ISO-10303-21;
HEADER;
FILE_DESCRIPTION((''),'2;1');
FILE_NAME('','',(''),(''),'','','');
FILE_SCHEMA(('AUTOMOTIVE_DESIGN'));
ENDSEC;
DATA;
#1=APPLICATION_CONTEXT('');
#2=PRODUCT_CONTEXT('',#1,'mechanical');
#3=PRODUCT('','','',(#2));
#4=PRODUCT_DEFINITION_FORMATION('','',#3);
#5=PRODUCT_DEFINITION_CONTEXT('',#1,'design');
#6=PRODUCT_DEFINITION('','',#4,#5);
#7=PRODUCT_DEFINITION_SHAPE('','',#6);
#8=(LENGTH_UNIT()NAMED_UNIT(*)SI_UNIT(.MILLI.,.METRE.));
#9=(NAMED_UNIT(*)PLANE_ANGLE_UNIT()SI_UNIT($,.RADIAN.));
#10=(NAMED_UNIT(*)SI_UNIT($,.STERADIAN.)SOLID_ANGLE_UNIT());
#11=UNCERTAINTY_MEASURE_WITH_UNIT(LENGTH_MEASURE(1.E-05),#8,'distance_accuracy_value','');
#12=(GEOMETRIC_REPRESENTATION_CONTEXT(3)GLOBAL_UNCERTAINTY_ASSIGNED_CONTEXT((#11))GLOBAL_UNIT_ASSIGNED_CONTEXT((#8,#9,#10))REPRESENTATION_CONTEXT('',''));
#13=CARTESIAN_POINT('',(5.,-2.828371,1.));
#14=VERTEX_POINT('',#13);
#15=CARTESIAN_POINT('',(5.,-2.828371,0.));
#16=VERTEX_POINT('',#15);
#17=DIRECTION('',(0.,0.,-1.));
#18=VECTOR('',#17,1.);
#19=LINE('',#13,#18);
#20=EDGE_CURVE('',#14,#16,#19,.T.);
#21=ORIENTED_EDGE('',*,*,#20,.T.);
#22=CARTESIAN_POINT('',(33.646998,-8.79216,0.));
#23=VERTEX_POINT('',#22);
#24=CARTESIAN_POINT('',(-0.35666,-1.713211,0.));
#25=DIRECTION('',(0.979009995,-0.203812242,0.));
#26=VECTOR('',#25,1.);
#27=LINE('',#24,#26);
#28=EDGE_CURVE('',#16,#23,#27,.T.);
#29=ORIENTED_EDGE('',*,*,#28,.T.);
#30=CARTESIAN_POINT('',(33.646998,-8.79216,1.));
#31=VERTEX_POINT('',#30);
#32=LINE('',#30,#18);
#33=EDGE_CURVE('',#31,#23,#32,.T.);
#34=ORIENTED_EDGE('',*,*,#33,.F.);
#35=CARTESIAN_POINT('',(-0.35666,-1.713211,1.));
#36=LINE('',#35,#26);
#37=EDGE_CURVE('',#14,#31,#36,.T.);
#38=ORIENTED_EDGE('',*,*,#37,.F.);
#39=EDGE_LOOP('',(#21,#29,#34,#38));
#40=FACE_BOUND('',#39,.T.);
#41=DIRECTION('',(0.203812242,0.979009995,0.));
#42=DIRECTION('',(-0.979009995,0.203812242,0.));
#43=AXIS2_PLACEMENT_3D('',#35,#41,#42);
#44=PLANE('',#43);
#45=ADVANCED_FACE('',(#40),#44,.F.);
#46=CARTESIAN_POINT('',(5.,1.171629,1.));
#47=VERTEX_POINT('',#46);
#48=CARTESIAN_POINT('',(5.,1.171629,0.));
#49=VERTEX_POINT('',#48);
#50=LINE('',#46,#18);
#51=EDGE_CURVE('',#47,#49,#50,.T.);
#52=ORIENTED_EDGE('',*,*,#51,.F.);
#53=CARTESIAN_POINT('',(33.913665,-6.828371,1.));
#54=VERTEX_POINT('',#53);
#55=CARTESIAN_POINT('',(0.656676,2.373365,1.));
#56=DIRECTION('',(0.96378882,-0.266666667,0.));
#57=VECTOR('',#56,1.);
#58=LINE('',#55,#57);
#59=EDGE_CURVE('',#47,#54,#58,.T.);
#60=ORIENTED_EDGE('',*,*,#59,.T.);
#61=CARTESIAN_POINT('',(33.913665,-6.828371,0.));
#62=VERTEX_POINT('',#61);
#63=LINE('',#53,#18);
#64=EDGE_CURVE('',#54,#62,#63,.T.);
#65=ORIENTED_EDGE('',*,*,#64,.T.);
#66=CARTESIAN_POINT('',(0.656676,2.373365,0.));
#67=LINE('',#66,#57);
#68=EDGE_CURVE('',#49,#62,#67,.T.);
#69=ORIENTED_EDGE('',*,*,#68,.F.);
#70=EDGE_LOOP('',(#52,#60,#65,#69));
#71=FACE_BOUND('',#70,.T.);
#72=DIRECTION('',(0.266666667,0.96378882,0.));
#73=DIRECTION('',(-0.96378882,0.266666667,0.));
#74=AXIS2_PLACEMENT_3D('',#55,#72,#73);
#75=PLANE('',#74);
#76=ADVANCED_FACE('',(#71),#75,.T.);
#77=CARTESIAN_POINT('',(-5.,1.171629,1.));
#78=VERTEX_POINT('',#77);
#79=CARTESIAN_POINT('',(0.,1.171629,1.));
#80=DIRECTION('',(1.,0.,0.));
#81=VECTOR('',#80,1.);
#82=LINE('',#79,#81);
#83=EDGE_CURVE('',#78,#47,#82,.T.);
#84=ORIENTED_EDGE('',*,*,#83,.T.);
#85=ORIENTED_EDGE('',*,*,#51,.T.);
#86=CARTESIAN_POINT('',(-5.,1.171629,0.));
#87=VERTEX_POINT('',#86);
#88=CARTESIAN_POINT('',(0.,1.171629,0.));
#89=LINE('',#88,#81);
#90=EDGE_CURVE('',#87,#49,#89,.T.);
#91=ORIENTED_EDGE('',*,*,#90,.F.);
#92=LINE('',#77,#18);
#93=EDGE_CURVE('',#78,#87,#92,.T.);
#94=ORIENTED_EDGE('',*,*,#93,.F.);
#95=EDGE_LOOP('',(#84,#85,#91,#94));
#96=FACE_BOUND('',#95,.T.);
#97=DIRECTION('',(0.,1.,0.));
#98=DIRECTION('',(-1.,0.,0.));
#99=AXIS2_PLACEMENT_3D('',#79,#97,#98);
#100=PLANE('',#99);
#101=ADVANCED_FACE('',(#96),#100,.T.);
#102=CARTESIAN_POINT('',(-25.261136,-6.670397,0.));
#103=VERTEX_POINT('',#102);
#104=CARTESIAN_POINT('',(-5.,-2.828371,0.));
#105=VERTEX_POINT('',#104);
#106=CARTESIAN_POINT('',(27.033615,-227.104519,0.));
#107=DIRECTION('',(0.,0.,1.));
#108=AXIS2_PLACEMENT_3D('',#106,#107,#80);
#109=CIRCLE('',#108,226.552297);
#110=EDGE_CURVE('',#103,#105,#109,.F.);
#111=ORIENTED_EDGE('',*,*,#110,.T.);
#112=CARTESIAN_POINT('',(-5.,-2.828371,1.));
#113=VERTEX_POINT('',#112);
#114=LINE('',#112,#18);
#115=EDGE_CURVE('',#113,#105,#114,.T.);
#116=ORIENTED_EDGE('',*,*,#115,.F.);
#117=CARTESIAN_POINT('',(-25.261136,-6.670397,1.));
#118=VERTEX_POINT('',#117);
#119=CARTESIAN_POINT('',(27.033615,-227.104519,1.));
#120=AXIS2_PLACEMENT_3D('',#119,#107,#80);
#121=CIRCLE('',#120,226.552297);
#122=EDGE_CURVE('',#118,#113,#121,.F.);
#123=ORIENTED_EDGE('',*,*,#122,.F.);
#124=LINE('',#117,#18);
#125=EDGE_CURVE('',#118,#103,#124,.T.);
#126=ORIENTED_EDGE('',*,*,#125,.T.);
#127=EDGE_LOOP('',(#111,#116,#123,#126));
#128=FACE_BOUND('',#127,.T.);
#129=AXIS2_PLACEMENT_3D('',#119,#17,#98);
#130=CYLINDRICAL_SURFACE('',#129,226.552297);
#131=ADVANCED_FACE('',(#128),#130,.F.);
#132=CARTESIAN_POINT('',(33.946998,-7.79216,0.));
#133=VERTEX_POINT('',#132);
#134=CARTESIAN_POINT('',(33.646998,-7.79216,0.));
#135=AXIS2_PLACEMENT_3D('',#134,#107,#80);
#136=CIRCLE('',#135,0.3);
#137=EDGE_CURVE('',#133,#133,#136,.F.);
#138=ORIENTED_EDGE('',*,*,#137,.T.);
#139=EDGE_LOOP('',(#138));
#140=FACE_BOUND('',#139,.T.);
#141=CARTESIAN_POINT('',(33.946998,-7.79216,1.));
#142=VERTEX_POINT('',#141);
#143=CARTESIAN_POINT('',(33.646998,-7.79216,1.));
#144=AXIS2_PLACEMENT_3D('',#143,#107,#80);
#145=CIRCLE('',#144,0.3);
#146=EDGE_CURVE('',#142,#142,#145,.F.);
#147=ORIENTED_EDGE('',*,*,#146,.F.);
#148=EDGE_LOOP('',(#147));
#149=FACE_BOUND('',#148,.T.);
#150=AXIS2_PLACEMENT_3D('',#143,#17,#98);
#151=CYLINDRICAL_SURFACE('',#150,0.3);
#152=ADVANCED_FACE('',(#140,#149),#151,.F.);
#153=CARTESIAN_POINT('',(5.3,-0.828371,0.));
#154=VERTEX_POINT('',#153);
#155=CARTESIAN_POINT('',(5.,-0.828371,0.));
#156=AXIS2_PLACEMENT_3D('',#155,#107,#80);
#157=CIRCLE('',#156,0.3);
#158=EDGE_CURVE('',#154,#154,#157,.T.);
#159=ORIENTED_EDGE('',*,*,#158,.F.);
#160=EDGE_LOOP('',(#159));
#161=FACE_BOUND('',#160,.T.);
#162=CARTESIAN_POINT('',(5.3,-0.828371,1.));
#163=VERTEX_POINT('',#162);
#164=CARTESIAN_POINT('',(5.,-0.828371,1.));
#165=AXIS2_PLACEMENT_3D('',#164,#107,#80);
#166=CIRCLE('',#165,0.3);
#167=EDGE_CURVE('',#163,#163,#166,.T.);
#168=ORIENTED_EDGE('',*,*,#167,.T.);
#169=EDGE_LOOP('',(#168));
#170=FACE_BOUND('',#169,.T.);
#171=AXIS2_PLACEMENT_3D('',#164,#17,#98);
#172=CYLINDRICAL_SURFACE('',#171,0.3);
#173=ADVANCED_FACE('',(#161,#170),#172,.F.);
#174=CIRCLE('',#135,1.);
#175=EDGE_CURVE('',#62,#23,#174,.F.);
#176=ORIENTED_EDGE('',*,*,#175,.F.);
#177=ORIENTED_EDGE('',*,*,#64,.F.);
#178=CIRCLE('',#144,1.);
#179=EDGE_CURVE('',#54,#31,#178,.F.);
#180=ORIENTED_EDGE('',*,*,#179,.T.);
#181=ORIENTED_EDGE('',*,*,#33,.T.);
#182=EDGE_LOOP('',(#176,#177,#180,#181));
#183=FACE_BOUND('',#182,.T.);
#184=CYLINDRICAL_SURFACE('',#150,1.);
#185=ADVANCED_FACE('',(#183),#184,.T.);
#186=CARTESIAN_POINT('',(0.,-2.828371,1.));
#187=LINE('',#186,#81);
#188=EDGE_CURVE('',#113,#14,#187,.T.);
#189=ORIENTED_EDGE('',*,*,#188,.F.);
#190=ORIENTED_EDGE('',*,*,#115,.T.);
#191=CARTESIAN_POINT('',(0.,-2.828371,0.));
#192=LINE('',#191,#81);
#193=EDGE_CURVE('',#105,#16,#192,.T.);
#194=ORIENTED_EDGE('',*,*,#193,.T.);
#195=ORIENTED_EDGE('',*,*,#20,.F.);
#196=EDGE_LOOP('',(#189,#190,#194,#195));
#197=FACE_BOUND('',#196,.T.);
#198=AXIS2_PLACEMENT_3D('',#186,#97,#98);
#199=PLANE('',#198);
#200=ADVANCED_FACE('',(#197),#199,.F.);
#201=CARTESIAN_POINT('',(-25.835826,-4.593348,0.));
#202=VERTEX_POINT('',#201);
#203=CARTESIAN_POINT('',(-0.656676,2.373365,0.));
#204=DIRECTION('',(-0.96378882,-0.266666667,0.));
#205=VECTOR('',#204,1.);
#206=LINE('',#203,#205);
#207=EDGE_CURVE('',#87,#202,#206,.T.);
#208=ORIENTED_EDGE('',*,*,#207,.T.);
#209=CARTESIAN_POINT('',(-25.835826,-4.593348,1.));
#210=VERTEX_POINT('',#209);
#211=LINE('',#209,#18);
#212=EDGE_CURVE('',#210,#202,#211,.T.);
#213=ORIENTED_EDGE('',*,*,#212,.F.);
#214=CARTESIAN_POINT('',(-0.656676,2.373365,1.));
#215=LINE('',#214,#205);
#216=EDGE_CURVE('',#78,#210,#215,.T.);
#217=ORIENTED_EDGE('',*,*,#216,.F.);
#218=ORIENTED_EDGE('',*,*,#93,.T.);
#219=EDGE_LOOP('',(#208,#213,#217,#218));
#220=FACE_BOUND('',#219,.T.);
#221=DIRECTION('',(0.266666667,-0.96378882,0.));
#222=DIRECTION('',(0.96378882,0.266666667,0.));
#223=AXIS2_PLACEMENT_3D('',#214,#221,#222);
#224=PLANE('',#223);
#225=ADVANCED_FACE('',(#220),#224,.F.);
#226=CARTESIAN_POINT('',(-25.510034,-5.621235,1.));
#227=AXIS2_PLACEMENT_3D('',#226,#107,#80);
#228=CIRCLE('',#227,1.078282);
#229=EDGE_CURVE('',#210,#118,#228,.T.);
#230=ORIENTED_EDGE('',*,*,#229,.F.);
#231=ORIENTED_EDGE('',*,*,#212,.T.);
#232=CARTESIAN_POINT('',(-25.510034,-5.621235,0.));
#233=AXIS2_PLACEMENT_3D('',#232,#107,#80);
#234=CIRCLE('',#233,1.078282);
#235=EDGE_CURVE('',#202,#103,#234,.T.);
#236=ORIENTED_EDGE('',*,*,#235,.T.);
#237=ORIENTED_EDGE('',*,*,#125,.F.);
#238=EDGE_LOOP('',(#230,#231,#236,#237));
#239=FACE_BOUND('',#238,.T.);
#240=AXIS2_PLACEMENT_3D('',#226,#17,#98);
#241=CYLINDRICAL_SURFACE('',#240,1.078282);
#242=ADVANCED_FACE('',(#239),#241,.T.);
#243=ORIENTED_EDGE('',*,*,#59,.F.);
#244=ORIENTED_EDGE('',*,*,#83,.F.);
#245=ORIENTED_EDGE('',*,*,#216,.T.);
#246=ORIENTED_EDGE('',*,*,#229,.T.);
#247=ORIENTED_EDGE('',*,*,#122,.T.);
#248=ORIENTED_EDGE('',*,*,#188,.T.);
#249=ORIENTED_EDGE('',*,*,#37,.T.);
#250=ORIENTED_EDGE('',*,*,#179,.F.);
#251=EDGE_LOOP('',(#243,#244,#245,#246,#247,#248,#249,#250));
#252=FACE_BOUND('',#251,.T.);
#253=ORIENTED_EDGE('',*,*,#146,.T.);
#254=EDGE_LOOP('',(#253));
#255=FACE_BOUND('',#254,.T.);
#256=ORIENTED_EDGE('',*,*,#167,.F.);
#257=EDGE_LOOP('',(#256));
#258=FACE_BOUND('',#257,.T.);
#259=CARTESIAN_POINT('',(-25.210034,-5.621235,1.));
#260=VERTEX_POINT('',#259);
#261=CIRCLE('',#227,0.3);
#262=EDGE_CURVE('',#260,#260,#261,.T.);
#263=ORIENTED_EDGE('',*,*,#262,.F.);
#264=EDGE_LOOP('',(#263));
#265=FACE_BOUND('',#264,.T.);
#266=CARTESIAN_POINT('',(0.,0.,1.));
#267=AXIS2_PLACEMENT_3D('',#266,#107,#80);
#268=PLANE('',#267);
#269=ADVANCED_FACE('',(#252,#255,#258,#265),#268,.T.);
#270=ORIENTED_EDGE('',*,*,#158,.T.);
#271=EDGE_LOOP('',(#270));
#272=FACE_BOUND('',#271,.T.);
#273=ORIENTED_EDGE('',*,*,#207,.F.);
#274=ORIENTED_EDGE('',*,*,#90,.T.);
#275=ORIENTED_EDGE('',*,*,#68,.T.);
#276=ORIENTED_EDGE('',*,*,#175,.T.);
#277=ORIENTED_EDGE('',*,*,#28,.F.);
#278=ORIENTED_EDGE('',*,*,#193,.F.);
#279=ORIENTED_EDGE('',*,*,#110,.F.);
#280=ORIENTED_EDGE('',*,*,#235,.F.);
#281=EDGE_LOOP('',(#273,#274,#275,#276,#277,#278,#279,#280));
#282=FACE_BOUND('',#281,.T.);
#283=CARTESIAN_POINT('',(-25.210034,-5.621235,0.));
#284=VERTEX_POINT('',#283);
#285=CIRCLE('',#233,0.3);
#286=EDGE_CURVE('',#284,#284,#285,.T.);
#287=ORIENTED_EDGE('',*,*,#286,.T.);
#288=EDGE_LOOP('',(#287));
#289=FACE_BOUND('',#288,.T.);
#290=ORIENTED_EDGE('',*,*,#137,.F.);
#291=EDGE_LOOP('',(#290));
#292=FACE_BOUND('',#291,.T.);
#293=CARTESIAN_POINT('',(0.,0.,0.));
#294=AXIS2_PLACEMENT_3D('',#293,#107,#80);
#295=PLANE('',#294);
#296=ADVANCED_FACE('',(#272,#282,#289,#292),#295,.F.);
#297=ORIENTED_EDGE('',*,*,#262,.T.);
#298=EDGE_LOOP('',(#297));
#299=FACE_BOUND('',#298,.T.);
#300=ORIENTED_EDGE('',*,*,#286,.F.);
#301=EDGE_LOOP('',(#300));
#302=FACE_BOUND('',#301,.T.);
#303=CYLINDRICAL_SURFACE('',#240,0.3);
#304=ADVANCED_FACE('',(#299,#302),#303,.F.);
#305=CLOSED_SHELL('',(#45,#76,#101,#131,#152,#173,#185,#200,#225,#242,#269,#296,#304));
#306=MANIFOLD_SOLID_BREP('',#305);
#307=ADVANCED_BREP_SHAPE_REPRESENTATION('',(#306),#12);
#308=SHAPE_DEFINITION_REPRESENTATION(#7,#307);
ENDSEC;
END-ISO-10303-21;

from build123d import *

# Parameters (mm, degrees)
SKETCH_1_R      = 0.3
EXTRUDE_1_DEPTH = 1


with BuildPart() as part:
    # 草图1 → 凸台-拉伸1 (new body)
    with BuildSketch(Plane.XY):
        with BuildLine():
            ThreePointArc((-24.431752563, -5.621234593), (-24.841338221, -4.775340284), (-25.758932756, -4.572072325))
            Line((-25.758932756, -4.572072325), (-25.579283033, -5.329336265))
            ThreePointArc((-25.579283033, -5.329336265), (-25.32398953, -5.385889555), (-25.210034452, -5.621234593))
            ThreePointArc((-25.210034452, -5.621234593), (-25.274689413, -5.807279515), (-25.44078587, -5.913132921))
            Line((-25.44078587, -5.913132921), (-25.261136147, -6.670396861))
            ThreePointArc((-25.261136147, -6.670396861), (-24.664140143, -6.289930824), (-24.431752563, -5.621234593))
        make_face()
        with BuildLine():
            Line((-25.579283033, -5.329336265), (-25.758932756, -4.572072325))
            Line((-25.758932756, -4.572072325), (-25.835826145, -4.593347633))
            ThreePointArc((-25.835826145, -4.593347633), (-26.54927048, -5.90877643), (-25.261136147, -6.670396861))
            Line((-25.261136147, -6.670396861), (-25.44078587, -5.913132921))
            ThreePointArc((-25.44078587, -5.913132921), (-25.80193278, -5.690483175), (-25.579283033, -5.329336265))
        make_face()
        with BuildLine():
            Line((0, 1.171629291), (-5, 1.171629291))
            Line((-5, 1.171629291), (-25.758932756, -4.572072325))
            ThreePointArc((-25.758932756, -4.572072325), (-24.841338221, -4.775340284), (-24.431752563, -5.621234593))
            ThreePointArc((-24.431752563, -5.621234593), (-24.664140143, -6.289930824), (-25.261136147, -6.670396861))
            ThreePointArc((-25.261136147, -6.670396861), (-15.17430636, -4.518727526), (-5, -2.828370709))
            Line((-5, -2.828370709), (0, -2.828370709))
            Line((0, -2.828370709), (0, 1.171629291))
        make_face()
        with BuildLine():
            Line((5, 1.171629291), (0, 1.171629291))
            Line((0, 1.171629291), (0, -2.828370709))
            Line((0, -2.828370709), (5, -2.828370709))
            Line((5, -2.828370709), (33.24792948, -8.709080669))
            Line((33.24792948, -8.709080669), (33.646997923, -8.792159528))
            ThreePointArc((33.646997923, -8.792159528), (34.637903776, -7.926716543), (33.91366459, -6.828370709))
            Line((33.91366459, -6.828370709), (5, 1.171629291))
        make_face()
        with Locations((33.646997923, -7.792159528)):
            Circle(SKETCH_1_R, mode=Mode.SUBTRACT)
        with Locations((5, -0.828370709)):
            Circle(SKETCH_1_R, mode=Mode.SUBTRACT)
    extrude(amount=EXTRUDE_1_DEPTH)


solid = part.part
